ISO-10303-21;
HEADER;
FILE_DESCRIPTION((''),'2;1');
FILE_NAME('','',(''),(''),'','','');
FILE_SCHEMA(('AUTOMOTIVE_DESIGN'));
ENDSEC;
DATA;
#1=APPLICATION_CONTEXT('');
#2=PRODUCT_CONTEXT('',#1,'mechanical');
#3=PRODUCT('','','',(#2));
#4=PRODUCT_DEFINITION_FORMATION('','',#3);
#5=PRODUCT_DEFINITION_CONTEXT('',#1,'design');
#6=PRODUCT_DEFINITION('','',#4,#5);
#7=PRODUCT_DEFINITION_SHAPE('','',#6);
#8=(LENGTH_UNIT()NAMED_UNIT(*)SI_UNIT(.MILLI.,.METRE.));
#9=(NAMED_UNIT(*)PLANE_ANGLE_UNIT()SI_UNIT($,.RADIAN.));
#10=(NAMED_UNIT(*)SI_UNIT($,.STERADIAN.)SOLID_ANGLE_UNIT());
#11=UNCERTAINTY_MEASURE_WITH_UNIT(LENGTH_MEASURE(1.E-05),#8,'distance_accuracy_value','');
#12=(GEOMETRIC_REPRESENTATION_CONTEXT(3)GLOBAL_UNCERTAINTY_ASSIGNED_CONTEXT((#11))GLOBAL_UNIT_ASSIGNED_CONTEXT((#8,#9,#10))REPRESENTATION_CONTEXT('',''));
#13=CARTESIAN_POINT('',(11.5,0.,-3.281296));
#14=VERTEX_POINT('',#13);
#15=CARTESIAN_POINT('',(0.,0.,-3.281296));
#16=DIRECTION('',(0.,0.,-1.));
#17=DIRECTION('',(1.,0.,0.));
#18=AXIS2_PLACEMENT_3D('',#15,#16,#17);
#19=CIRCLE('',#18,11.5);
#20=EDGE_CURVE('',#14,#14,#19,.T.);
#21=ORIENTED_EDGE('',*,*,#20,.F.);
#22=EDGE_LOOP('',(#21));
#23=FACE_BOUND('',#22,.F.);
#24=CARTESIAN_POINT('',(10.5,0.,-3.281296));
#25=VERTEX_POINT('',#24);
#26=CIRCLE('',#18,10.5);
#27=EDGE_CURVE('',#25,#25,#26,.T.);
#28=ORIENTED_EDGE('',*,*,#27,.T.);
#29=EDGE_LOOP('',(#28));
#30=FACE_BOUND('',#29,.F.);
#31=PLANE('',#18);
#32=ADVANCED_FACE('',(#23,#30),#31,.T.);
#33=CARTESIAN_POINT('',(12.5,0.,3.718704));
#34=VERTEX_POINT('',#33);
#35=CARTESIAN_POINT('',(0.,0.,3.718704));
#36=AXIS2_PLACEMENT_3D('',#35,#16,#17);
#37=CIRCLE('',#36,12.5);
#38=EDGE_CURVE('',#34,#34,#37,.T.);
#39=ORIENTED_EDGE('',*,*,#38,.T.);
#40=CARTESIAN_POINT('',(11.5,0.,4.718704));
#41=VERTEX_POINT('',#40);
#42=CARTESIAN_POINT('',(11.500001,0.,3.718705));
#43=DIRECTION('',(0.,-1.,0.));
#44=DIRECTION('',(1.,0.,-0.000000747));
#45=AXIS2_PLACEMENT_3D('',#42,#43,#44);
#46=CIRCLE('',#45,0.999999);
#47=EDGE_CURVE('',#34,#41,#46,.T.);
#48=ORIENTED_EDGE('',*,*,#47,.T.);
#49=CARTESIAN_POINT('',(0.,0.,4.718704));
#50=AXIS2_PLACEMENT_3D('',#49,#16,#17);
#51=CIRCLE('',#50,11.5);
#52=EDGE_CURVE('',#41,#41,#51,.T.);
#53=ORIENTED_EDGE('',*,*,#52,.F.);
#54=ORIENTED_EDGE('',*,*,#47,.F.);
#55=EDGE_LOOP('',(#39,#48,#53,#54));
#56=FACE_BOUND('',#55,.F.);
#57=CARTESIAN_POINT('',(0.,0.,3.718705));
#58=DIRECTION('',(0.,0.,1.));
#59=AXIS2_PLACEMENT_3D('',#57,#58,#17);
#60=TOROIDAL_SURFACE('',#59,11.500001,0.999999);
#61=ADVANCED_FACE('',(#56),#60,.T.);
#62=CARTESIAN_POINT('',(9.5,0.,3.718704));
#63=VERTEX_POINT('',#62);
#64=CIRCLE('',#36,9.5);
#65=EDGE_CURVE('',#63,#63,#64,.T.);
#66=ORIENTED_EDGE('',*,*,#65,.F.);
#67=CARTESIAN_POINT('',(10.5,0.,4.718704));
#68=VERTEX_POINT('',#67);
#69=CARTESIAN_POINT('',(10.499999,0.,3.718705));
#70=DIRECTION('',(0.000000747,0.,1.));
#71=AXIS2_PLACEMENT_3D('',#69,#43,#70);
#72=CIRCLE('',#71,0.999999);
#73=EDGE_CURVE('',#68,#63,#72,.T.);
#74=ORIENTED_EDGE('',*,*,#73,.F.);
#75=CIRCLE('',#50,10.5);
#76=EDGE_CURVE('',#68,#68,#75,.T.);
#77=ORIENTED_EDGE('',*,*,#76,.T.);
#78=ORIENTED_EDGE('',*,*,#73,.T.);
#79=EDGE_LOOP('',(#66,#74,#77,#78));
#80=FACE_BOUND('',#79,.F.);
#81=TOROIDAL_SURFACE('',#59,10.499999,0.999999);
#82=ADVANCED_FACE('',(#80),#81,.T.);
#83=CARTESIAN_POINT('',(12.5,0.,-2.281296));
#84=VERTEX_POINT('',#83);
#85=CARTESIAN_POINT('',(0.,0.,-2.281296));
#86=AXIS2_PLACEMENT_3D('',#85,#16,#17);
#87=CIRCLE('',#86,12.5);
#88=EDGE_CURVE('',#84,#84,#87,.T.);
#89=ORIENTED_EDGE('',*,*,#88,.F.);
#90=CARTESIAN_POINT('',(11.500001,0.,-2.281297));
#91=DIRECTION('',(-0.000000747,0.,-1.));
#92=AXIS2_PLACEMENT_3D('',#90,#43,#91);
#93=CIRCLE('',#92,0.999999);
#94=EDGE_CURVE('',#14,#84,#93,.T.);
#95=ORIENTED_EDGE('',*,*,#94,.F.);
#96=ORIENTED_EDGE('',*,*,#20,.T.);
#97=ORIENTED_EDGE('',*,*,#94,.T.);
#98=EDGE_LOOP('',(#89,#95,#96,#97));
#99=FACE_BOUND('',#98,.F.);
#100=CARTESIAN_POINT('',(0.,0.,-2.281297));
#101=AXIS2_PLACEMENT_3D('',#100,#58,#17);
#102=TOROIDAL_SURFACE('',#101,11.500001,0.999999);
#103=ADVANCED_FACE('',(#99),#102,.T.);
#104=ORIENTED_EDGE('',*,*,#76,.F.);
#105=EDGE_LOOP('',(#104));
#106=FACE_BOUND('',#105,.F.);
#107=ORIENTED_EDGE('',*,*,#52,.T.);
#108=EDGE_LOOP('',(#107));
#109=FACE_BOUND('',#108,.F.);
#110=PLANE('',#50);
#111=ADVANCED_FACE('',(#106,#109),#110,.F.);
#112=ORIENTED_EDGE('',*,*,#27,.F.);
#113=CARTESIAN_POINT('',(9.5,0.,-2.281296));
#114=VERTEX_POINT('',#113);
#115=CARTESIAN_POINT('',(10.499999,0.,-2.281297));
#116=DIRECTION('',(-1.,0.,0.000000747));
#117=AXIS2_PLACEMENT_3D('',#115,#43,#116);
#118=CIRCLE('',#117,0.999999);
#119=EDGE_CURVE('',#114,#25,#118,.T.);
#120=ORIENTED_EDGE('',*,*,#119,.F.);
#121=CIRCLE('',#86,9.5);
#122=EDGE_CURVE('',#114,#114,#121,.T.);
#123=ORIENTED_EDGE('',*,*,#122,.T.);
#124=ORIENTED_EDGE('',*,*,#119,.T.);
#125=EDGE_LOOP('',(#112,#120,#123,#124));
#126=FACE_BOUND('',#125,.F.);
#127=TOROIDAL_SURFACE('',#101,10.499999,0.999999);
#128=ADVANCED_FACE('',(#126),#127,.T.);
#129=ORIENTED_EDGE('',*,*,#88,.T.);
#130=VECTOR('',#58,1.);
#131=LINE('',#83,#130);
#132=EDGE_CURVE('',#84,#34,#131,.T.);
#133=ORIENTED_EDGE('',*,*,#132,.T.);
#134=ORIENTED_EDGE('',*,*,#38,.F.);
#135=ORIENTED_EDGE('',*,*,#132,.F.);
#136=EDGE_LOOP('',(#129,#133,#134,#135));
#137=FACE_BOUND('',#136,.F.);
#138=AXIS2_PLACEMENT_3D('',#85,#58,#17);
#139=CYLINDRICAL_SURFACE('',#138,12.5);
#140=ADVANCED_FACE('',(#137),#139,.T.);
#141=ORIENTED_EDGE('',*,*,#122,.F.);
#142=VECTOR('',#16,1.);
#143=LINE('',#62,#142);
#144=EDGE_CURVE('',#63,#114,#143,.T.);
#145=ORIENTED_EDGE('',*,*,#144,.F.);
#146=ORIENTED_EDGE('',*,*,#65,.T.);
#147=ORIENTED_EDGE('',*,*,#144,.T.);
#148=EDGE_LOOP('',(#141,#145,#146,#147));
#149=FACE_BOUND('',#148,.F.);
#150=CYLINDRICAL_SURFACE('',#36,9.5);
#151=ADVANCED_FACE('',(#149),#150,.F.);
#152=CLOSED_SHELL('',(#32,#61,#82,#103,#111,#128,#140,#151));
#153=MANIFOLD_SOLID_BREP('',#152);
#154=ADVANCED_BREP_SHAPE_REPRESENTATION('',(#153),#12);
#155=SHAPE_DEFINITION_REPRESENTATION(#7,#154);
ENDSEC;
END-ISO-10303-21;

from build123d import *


with BuildPart() as f1:
    # F0 (on Front) → F1 (revolve)
    with BuildSketch(Plane.XZ):
        with BuildLine():
            Line((11.5, 4.718704), (10.5, 4.718704))
            ThreePointArc((10.5, 4.718704), (9.792893, 4.425811), (9.5, 3.718704))
            Line((9.5, 3.718704), (9.5, -2.281296))
            ThreePointArc((9.5, -2.281296), (9.792893, -2.988403), (10.5, -3.281296))
            Line((10.5, -3.281296), (11.5, -3.281296))
            ThreePointArc((11.5, -3.281296), (12.207107, -2.988403), (12.5, -2.281296))
            Line((12.5, -2.281296), (12.5, 3.718704))
            ThreePointArc((12.5, 3.718704), (12.207107, 4.425811), (11.5, 4.718704))
        make_face()
    revolve(axis=Axis((0, 0, 0.718704), (0, 0, -1)))


solid = f1.part
